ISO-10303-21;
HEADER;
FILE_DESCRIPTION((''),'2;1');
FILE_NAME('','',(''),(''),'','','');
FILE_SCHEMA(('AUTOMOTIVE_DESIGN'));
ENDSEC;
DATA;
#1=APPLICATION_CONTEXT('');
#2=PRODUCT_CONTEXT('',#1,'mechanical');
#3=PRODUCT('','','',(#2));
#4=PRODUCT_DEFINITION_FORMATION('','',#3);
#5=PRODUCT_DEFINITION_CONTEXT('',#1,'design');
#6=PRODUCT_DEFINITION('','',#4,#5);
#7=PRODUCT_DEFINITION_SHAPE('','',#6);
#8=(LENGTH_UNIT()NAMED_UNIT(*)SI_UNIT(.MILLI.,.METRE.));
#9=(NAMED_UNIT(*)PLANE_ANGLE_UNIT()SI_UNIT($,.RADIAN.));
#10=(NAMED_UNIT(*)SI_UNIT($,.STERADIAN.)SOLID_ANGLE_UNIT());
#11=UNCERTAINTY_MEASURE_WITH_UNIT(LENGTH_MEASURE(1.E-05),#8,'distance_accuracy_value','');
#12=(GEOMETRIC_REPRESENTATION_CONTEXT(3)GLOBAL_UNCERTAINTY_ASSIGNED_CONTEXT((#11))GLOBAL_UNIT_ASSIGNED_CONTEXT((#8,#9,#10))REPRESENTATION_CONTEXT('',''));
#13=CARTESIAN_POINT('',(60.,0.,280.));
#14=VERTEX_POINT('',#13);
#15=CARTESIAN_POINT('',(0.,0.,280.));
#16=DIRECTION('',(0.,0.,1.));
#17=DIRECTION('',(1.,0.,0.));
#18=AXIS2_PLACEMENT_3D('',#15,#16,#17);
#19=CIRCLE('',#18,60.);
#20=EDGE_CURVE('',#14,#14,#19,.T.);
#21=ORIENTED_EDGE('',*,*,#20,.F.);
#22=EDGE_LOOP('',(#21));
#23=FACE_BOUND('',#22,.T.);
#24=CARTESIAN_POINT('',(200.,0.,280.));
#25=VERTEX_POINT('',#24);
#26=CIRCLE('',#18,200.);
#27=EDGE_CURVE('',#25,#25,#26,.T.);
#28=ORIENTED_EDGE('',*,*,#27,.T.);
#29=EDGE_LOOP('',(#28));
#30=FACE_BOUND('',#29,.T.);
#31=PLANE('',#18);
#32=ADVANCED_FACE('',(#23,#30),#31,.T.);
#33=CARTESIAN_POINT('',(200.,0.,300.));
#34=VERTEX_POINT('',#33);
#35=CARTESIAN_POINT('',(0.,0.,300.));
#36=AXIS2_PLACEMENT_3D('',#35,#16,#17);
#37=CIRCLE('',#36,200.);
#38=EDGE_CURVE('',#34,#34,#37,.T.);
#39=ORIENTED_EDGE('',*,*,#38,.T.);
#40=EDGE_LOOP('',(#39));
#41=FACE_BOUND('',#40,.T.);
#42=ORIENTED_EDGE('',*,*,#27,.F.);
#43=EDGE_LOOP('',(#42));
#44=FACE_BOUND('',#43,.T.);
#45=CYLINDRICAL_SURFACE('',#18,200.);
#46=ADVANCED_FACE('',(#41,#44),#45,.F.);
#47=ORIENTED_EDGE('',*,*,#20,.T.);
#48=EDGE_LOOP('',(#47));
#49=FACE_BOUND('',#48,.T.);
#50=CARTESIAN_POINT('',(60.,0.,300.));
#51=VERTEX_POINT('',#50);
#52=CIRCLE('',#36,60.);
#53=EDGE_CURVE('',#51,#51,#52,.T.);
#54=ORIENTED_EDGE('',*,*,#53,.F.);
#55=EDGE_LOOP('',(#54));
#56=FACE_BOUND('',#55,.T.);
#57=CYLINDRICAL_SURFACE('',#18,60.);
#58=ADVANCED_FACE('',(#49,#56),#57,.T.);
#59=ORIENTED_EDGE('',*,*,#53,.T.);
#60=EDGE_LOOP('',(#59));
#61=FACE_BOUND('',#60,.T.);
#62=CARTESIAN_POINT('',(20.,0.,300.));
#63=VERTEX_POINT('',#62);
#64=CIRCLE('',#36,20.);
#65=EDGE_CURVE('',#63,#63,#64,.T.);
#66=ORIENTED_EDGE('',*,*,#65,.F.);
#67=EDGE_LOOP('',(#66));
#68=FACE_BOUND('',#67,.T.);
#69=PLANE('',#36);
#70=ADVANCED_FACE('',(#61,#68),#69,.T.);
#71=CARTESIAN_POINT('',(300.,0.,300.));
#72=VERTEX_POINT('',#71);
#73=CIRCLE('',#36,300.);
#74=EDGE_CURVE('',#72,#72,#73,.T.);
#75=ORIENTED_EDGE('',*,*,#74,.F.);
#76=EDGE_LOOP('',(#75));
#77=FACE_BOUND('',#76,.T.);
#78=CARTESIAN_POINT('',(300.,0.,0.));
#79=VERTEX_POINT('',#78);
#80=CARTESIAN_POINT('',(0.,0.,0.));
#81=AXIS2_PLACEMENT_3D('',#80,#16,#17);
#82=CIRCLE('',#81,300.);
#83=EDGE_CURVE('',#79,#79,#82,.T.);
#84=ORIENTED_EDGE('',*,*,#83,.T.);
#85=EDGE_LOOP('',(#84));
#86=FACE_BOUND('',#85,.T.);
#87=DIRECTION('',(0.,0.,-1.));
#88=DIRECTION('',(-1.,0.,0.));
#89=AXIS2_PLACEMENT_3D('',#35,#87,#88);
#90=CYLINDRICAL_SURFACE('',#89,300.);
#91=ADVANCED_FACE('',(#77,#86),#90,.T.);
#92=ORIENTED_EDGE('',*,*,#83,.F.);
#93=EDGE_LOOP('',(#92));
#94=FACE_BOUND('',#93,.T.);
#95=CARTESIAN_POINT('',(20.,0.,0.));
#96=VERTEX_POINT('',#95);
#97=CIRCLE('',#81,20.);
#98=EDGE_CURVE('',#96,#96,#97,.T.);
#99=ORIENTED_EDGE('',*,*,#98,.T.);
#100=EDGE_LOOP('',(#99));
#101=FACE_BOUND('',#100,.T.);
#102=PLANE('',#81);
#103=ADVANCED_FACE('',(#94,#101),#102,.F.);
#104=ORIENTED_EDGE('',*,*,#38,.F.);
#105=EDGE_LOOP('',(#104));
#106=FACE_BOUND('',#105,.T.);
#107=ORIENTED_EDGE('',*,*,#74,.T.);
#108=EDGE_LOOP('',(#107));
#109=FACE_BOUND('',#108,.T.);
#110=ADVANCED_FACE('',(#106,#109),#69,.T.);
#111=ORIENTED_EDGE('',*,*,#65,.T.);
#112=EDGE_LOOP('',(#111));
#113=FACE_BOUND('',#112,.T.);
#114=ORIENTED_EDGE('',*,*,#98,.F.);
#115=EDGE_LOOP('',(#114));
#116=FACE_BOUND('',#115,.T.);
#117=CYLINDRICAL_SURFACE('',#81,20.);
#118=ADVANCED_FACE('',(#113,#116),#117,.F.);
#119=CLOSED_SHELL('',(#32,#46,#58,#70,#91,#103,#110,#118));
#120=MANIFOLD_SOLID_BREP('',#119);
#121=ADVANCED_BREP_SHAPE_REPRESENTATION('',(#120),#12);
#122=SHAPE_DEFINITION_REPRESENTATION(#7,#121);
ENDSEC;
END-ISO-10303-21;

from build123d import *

# Parameters (mm, degrees)
SKIZZE1_R                       = 300
AUFSATZ_LINEAR_AUSTRAGEN1_DEPTH = 300
SKIZZE2_R                       = 20
SCHNITT_LINEAR_AUSTRAGEN1_DEPTH = 300
SKIZZE3_R                       = 200
SKIZZE3_R_2                     = 60
SCHNITT_LINEAR_AUSTRAGEN2_DEPTH = 20


with BuildPart() as part:
    # Skizze1 → Aufsatz-Linear austragen1 (new body)
    with BuildSketch(Plane.XY):
        Circle(SKIZZE1_R)
    extrude(amount=AUFSATZ_LINEAR_AUSTRAGEN1_DEPTH)

    # Skizze2 → Schnitt-Linear austragen1 (cut)
    with BuildSketch(Plane.XY.offset(300)):
        Circle(SKIZZE2_R)
    extrude(amount=-SCHNITT_LINEAR_AUSTRAGEN1_DEPTH, mode=Mode.SUBTRACT)

    # Skizze3 → Schnitt-Linear austragen2 (cut)
    with BuildSketch(Plane.XY.offset(300)):
        Circle(SKIZZE3_R)
        Circle(SKIZZE3_R_2, mode=Mode.SUBTRACT)
    extrude(amount=-SCHNITT_LINEAR_AUSTRAGEN2_DEPTH, mode=Mode.SUBTRACT)


solid = part.part
